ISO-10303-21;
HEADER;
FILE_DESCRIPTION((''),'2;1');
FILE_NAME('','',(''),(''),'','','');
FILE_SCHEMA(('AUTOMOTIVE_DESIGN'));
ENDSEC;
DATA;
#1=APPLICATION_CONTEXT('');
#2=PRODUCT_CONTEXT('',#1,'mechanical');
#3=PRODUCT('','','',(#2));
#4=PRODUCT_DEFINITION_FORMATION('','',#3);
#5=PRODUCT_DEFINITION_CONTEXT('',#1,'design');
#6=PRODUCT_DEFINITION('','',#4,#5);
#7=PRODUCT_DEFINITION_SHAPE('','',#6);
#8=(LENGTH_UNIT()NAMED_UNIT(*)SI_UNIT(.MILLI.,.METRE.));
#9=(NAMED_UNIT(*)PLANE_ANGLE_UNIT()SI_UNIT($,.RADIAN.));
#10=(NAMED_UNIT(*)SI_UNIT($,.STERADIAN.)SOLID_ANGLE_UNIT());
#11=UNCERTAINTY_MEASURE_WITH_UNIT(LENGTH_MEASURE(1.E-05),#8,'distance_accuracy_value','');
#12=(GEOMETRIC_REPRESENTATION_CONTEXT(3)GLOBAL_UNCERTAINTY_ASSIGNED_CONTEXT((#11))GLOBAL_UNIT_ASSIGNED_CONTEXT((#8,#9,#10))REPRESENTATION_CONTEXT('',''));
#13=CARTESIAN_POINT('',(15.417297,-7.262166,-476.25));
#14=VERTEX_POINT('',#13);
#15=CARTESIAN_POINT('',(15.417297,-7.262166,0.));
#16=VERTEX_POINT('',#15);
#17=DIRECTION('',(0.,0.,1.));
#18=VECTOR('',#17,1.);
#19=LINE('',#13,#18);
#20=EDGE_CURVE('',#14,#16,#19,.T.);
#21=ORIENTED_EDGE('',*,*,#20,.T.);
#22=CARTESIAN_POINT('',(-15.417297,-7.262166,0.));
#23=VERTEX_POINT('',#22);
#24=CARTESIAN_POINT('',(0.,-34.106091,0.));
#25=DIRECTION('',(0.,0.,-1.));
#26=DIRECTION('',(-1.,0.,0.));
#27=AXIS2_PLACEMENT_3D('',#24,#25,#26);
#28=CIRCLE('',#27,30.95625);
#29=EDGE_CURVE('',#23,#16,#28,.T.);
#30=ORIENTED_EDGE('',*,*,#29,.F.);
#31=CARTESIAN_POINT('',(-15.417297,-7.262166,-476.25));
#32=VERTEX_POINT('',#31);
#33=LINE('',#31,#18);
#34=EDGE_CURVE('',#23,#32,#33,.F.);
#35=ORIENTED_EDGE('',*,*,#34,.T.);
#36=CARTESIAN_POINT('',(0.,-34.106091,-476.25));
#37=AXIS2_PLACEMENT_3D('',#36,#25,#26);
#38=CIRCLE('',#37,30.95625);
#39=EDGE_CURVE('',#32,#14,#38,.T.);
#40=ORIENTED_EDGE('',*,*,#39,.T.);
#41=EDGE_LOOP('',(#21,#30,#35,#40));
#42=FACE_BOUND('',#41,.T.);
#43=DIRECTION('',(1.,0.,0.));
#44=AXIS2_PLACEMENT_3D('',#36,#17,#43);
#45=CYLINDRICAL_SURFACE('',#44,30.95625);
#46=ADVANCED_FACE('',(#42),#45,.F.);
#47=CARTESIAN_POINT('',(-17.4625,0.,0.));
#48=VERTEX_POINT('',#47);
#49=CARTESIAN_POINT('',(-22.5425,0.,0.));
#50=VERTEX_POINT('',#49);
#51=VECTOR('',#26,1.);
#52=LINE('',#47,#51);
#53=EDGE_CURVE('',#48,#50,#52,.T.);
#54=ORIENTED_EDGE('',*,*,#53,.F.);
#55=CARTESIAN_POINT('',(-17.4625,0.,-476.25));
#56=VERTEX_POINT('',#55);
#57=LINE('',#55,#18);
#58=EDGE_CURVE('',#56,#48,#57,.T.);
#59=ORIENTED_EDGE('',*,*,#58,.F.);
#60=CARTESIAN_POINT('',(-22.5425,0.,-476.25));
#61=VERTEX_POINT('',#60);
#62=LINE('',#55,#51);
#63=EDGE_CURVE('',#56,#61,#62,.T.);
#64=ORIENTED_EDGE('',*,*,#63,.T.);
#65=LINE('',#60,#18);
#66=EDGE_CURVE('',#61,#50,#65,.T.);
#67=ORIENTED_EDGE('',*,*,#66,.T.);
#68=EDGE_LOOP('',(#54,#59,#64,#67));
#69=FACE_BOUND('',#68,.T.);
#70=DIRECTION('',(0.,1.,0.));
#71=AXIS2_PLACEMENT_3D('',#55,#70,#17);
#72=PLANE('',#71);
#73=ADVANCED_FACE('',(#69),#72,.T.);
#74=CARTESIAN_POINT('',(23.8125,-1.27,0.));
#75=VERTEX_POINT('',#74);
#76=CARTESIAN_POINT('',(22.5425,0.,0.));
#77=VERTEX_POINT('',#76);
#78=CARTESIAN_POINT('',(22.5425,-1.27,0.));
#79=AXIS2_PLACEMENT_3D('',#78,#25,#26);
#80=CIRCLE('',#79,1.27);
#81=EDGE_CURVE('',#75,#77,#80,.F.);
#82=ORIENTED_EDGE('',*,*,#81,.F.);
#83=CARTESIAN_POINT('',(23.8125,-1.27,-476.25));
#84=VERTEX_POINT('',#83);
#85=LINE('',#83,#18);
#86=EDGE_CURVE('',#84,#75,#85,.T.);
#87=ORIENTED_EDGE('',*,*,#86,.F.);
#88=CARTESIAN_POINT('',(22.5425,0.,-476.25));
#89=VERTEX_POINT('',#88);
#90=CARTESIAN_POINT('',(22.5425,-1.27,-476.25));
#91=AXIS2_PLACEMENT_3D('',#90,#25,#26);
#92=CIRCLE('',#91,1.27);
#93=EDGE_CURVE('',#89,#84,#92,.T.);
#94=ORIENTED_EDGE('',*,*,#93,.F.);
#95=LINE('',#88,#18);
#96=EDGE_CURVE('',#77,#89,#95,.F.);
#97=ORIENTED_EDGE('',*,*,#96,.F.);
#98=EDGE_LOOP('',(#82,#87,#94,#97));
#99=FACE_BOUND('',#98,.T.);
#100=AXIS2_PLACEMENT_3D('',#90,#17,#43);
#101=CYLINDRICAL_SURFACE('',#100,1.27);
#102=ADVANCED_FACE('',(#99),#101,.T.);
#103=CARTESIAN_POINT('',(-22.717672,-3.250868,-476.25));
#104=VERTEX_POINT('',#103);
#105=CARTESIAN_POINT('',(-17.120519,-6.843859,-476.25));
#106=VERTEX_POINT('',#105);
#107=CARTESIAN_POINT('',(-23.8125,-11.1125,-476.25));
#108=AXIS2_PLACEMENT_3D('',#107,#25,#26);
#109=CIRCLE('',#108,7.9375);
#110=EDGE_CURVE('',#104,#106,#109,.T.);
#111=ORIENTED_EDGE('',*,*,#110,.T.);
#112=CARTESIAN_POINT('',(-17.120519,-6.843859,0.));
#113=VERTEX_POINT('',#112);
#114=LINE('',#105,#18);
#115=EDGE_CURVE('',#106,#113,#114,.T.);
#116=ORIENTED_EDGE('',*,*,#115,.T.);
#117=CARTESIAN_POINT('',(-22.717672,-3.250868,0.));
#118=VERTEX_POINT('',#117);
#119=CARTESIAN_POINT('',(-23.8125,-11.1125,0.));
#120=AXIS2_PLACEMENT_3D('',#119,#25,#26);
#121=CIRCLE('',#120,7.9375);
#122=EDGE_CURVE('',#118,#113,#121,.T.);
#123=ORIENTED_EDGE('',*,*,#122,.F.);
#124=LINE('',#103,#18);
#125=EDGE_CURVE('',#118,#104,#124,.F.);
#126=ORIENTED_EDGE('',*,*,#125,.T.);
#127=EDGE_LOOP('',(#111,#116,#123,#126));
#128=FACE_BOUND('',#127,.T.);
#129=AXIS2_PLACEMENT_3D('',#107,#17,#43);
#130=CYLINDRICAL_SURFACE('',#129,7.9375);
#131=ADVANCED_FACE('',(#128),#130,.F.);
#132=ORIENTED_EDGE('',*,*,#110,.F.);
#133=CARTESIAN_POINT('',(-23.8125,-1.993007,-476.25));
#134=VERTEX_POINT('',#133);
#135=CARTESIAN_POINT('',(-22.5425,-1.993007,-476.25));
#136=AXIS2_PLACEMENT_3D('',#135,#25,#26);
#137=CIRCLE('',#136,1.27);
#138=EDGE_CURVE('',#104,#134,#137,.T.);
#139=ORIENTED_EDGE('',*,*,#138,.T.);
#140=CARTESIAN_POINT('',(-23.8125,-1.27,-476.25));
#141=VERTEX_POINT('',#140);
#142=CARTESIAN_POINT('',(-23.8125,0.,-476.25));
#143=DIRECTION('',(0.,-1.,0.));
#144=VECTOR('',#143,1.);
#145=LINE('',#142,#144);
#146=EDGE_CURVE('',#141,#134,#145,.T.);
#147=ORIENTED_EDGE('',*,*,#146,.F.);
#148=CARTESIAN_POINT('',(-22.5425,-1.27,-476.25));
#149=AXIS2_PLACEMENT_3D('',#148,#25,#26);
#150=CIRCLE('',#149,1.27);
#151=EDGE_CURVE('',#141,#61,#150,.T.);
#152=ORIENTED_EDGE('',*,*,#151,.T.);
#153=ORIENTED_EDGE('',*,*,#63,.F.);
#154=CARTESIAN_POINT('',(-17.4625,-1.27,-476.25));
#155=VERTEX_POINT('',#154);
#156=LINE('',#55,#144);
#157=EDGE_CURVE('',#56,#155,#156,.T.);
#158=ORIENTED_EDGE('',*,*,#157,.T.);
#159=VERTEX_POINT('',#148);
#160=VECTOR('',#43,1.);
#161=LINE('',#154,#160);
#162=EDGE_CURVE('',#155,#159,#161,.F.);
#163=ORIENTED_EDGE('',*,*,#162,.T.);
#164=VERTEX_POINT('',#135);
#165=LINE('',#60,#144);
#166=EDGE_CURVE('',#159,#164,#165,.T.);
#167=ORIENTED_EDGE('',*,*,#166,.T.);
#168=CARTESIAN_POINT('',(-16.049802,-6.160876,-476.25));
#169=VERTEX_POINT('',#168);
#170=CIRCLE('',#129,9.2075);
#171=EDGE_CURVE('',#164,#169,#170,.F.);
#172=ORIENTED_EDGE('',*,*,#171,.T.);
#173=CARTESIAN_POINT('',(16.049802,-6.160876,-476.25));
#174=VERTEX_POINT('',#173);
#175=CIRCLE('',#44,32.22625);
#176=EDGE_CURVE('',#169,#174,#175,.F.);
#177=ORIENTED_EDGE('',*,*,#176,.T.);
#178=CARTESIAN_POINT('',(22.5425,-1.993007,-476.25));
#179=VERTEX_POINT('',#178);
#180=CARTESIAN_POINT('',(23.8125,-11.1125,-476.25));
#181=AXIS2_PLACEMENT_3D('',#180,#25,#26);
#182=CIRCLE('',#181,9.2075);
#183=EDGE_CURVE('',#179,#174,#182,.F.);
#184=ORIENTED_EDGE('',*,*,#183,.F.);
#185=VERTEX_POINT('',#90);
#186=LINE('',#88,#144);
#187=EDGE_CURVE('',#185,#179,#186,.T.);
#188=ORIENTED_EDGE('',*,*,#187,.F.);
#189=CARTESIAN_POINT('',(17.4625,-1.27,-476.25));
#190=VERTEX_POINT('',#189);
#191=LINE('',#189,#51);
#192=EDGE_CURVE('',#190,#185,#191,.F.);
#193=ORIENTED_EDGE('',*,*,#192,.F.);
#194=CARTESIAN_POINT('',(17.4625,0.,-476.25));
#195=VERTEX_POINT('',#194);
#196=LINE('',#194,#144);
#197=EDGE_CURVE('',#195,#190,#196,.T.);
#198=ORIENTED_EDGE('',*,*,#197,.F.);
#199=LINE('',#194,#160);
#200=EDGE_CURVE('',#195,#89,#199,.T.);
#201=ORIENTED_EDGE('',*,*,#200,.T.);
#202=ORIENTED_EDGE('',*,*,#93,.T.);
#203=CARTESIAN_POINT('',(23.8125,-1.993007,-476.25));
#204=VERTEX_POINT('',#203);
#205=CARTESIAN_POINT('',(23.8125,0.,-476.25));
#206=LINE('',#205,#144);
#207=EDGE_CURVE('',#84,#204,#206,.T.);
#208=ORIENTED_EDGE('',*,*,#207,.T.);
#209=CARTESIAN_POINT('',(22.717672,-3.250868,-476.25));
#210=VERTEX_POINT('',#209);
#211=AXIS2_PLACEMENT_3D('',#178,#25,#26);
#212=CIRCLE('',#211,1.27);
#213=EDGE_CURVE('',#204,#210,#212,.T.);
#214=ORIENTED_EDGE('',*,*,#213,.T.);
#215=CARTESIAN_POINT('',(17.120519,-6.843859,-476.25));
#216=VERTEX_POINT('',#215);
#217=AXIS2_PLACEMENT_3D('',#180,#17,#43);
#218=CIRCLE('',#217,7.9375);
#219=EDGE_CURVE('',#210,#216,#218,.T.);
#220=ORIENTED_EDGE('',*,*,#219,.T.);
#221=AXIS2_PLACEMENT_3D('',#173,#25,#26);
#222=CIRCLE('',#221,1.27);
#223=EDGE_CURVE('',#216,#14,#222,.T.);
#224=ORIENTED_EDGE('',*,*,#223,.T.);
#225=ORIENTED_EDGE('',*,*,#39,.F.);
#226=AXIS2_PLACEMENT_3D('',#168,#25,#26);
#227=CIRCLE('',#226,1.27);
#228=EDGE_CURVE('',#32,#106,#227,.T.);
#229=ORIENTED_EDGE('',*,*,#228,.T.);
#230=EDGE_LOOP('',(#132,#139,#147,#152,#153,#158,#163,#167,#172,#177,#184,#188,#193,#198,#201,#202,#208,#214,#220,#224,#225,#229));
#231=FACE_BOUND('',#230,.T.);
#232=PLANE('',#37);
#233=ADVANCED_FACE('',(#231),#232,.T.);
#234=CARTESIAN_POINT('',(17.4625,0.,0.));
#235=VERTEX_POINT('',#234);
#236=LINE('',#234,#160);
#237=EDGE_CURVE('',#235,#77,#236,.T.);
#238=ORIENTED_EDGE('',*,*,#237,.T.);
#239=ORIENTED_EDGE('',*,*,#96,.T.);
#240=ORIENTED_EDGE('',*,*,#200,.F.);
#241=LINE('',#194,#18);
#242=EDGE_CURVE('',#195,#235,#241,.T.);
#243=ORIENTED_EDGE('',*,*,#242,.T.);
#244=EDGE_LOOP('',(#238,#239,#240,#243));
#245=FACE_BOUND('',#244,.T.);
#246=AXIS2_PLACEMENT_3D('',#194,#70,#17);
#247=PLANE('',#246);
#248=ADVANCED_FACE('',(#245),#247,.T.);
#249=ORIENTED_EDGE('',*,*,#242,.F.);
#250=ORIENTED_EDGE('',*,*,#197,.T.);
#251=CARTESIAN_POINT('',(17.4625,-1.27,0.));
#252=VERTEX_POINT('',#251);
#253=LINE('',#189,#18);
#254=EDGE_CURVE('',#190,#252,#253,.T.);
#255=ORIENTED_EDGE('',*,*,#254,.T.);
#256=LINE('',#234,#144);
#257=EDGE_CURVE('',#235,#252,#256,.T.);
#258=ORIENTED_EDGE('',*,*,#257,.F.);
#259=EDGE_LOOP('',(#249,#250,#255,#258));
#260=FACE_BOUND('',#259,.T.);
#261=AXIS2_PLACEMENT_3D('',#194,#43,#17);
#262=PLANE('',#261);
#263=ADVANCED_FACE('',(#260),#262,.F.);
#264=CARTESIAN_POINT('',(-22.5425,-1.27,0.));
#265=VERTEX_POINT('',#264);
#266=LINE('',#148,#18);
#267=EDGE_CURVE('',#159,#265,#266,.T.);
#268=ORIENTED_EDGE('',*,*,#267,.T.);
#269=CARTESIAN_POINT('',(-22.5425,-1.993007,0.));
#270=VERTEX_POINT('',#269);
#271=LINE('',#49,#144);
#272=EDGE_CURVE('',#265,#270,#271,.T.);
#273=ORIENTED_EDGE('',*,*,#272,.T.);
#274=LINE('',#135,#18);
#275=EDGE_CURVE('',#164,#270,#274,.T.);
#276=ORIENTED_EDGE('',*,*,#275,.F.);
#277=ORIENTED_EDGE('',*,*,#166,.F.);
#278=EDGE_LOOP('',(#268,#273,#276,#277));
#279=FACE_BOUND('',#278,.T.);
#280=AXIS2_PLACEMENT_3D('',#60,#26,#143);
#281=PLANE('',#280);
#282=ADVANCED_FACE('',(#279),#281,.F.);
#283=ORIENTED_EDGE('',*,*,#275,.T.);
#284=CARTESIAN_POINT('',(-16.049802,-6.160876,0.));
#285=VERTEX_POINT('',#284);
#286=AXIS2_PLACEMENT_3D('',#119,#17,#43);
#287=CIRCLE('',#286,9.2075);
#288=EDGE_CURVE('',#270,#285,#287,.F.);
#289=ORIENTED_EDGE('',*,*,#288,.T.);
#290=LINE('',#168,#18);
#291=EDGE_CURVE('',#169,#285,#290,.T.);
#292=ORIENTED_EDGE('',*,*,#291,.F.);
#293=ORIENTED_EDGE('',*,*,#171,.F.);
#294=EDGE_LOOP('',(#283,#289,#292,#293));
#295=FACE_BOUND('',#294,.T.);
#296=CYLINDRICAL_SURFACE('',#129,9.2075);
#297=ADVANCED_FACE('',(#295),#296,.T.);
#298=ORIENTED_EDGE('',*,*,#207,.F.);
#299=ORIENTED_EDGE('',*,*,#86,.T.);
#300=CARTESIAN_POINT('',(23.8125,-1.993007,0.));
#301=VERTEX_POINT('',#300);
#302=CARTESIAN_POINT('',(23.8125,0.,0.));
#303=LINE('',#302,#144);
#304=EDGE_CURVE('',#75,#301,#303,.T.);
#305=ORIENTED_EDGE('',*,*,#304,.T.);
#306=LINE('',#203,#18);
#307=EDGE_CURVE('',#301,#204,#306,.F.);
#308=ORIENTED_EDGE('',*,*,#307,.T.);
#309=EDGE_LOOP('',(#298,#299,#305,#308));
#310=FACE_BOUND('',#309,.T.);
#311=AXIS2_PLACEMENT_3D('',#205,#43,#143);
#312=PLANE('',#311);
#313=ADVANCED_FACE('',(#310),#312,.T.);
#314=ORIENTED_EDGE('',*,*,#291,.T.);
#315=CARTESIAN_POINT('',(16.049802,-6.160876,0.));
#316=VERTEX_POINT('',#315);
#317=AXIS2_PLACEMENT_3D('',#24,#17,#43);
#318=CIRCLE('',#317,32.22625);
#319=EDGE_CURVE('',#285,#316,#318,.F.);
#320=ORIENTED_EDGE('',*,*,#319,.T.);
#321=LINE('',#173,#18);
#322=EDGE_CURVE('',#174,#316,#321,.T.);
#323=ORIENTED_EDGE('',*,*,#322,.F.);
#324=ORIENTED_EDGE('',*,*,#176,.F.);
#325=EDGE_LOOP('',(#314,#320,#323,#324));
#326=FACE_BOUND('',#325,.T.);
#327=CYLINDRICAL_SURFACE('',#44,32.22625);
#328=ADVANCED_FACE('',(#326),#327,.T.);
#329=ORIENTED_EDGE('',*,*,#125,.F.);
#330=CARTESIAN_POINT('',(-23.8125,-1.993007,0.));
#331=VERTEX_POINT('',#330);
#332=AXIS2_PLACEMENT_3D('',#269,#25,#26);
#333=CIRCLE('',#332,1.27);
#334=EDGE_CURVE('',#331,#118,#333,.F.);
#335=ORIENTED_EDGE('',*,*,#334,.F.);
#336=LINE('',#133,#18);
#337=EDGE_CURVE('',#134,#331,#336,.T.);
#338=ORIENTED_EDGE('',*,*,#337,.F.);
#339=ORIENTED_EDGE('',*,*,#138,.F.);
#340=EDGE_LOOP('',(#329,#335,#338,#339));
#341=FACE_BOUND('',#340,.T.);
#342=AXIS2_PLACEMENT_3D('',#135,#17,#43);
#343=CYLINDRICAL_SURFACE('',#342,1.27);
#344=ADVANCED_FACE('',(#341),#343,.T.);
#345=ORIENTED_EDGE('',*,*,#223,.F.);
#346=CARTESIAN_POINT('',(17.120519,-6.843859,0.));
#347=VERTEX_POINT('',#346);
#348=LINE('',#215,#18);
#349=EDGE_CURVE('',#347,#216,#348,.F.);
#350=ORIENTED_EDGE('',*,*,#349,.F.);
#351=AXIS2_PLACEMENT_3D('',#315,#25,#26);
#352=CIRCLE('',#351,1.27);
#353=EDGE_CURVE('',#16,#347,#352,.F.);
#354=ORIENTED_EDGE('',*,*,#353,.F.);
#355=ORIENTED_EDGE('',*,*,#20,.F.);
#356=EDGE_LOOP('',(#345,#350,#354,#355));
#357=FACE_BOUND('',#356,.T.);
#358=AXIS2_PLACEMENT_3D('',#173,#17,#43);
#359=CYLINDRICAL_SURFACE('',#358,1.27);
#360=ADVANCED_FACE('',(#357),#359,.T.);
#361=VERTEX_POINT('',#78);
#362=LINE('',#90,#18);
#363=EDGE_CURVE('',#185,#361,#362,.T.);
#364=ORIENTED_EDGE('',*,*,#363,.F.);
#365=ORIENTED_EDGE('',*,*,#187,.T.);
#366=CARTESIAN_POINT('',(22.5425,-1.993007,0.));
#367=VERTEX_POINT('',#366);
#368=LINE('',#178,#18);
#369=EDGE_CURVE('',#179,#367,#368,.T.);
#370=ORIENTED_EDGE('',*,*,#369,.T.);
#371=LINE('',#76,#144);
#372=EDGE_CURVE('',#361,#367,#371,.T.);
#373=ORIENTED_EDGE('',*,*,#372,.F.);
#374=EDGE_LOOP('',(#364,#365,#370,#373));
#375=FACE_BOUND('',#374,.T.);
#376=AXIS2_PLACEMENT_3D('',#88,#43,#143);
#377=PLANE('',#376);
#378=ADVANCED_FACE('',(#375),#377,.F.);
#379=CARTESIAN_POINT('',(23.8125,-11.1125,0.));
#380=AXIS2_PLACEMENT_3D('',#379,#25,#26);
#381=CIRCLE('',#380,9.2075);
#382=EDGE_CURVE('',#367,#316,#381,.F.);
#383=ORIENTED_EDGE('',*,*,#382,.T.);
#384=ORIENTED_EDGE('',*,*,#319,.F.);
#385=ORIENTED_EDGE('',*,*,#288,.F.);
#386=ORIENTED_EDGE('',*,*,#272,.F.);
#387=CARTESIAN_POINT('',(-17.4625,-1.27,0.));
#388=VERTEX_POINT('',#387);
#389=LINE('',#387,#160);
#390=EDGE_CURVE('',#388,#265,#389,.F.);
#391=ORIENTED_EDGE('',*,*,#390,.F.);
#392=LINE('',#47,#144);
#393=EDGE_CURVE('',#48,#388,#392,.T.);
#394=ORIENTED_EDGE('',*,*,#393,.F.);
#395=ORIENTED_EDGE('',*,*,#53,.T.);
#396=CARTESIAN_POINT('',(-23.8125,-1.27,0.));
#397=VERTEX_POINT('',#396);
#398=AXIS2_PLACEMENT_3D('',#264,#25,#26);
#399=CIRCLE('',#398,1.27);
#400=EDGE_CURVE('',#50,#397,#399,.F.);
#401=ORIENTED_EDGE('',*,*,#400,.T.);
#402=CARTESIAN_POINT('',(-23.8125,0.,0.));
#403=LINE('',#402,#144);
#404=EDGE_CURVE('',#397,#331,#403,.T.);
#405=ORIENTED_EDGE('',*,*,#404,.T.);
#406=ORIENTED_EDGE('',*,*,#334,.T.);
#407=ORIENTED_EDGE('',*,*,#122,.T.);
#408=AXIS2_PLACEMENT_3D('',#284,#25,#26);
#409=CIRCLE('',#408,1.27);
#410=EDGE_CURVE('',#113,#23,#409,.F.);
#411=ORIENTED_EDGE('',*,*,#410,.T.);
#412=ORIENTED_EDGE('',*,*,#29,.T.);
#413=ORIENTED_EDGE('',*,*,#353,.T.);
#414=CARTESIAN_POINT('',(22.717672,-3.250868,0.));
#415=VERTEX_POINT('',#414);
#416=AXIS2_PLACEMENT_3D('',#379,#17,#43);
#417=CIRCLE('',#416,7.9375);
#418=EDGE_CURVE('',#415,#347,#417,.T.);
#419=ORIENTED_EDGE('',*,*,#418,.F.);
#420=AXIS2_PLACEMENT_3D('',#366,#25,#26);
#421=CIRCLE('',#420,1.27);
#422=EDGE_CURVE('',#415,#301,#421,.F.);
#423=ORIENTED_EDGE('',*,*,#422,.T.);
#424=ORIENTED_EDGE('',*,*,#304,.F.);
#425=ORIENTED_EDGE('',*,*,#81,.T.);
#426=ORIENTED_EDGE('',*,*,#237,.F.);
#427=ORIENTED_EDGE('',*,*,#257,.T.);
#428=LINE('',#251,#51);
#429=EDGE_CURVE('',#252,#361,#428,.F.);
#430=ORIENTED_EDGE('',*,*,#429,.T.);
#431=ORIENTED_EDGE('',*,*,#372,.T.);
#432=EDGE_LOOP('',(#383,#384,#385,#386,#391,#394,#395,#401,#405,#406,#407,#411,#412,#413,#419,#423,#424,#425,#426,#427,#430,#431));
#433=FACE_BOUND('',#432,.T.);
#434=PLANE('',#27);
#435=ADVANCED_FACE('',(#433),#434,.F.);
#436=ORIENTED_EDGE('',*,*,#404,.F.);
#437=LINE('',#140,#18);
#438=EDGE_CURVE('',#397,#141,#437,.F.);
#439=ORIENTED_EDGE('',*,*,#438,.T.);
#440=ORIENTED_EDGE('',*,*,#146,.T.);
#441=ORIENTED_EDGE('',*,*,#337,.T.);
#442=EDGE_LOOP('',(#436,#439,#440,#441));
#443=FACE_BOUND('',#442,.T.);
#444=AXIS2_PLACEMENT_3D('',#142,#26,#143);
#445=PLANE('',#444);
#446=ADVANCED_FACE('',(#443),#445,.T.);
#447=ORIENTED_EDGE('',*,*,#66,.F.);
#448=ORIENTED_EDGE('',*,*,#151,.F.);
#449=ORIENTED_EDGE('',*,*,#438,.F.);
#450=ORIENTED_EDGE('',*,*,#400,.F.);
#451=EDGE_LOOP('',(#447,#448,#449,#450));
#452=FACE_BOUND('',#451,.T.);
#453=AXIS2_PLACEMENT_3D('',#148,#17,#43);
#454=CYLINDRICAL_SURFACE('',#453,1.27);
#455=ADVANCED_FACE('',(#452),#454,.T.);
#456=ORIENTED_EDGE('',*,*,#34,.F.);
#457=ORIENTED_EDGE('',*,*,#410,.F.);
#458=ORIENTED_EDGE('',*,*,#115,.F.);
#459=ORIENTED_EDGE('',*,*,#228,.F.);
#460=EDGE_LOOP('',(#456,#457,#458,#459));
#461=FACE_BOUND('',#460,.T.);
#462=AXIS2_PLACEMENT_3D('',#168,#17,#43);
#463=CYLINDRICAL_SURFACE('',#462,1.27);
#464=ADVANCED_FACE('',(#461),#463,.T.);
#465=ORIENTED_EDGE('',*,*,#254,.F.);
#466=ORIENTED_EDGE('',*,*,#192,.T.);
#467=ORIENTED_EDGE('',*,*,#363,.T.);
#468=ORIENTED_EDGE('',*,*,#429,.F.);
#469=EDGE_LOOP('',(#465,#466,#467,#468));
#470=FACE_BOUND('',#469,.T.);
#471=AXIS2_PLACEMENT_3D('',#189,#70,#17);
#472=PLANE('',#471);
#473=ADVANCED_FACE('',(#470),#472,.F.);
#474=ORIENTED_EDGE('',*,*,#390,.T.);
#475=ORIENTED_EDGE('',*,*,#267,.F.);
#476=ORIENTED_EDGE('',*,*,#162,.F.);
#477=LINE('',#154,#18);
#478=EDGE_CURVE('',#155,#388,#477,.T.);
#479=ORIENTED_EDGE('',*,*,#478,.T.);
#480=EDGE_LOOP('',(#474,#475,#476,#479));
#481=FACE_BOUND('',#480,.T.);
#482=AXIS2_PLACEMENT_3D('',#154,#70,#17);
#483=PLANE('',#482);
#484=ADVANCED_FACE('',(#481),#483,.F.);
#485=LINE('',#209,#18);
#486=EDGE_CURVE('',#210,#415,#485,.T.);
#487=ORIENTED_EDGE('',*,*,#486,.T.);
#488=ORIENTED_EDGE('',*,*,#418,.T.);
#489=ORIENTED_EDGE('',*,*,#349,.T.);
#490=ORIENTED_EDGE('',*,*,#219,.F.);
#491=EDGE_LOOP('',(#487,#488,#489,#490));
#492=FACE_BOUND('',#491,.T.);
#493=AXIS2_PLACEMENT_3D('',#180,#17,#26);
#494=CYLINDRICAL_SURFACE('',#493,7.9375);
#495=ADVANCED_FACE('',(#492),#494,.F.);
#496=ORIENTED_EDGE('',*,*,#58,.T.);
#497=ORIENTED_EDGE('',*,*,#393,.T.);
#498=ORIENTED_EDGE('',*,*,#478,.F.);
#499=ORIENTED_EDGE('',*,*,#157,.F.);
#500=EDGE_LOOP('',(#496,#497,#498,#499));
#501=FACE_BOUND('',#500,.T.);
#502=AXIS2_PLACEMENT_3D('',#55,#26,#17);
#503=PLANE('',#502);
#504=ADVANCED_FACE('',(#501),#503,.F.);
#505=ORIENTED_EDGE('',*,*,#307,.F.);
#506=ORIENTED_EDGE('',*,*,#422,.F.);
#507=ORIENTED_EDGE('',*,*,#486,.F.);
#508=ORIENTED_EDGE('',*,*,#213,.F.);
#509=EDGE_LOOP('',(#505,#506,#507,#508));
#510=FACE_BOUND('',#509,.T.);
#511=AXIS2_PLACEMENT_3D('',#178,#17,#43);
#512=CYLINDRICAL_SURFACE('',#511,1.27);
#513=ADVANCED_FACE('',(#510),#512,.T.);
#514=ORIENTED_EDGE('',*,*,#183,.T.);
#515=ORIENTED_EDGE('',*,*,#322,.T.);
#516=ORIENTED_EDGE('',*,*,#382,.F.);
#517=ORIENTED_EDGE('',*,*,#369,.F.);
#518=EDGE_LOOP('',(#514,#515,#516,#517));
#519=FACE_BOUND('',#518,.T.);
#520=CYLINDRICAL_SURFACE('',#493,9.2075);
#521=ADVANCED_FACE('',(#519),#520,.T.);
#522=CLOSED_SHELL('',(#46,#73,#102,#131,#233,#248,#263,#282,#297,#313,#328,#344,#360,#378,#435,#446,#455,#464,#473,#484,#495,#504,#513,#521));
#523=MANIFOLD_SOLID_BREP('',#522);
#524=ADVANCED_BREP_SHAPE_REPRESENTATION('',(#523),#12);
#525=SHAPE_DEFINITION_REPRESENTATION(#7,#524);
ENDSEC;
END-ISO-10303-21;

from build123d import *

# Parameters (mm, degrees)
EXTRUDE_THIN1_DEPTH = 476.25
FILLET1_R           = 1.27


with BuildPart() as part:
    # Sketch1 → Extrude-Thin1 (new body)
    with BuildSketch(Plane.XY):
        with BuildLine():
            Line((-17.4625, 0), (-23.8125, 0))
            Line((-23.8125, 0), (-23.8125, -3.175))
            ThreePointArc((-23.8125, -3.175), (-19.4649522, -4.471511039), (-16.537661084, -7.9375))
            ThreePointArc((-16.537661084, -7.9375), (-8.60836669, -4.370835686), (0, -3.149841478))
            Line((0, -3.149841478), (0, -1.879841478))
            ThreePointArc((0, -1.879841478), (-8.305471157, -2.968488199), (-16.049802005, -6.160876419))
            ThreePointArc((-16.049802005, -6.160876419), (-18.838548597, -3.364089602), (-22.5425, -1.993006799))
            Line((-22.5425, -1.993006799), (-22.5425, -1.27))
            Line((-22.5425, -1.27), (-17.4625, -1.27))
            Line((-17.4625, -1.27), (-17.4625, 0))
        make_face()
    extrude(amount=-EXTRUDE_THIN1_DEPTH)

    # Mirror1: part across plane


with BuildPart() as part_1:
    add(part.part)
    add(part.part.mirror(Plane(origin=(0, -1.879841478, -476.25), x_dir=(0, 0, 1), z_dir=(-1, 0, 0))))

    # Fillet1
    fillet1_edges = [part_1.edges().sort_by_distance(p)[0] for p in [
        (-16.537661084, -7.9375, -238.125),
        (-23.8125, -3.175, -238.125),
        (-23.8125, 0, -238.125),
        (16.537661084, -7.9375, -238.125),
        (23.8125, -3.175, -238.125),
        (23.8125, 0, -238.125),
    ]]
    fillet(fillet1_edges, radius=FILLET1_R)


solid = part_1.part
